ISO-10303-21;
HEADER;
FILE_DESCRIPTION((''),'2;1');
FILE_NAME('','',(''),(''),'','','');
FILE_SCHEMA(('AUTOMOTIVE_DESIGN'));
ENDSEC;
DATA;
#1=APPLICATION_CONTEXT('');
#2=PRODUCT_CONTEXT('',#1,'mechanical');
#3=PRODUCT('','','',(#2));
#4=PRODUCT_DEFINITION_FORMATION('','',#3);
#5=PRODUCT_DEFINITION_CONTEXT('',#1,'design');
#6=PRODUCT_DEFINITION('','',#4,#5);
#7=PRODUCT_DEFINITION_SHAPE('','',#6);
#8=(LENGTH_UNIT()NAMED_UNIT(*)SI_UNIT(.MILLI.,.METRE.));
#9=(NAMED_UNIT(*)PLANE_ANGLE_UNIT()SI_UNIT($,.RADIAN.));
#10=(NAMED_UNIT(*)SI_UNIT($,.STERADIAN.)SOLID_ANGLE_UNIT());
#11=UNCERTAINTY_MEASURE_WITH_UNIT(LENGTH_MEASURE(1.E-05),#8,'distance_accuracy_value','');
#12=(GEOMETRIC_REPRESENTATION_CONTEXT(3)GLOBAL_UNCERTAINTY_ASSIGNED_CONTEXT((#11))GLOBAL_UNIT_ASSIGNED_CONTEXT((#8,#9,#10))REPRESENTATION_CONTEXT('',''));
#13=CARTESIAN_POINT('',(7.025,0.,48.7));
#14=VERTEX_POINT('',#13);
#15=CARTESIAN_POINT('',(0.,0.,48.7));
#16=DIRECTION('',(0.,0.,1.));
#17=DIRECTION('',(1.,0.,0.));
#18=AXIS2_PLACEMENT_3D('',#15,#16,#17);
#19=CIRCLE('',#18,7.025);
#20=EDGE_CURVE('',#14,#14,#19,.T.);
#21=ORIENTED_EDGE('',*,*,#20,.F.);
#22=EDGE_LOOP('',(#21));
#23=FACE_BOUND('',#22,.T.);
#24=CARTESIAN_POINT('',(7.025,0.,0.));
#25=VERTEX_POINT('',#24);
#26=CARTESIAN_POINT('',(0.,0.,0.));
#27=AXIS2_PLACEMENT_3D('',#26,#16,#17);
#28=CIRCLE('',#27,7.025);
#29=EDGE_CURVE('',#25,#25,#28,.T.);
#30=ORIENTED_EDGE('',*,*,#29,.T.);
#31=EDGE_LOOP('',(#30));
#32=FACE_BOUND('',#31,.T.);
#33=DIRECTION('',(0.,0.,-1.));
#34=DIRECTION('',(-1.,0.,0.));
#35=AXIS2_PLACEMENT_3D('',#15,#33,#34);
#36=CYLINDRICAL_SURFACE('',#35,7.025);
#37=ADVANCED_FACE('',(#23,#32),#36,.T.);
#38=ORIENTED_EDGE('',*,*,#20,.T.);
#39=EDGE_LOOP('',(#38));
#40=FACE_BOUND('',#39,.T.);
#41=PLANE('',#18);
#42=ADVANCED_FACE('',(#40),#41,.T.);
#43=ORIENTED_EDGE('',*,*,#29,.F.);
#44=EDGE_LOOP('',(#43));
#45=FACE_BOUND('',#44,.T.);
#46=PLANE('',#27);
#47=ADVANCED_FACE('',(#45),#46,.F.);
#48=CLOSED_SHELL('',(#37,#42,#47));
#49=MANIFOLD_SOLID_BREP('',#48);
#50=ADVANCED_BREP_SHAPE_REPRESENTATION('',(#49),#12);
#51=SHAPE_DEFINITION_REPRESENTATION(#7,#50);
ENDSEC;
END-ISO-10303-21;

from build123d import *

# Parameters (mm, degrees)
SKETCH_1_R      = 7.025
EXTRUDE_1_DEPTH = 48.7


with BuildPart() as part:
    # Эскиз1 → Бобышка-Вытянуть1 (new body)
    with BuildSketch(Plane.XY):
        Circle(SKETCH_1_R)
    extrude(amount=EXTRUDE_1_DEPTH)


solid = part.part
